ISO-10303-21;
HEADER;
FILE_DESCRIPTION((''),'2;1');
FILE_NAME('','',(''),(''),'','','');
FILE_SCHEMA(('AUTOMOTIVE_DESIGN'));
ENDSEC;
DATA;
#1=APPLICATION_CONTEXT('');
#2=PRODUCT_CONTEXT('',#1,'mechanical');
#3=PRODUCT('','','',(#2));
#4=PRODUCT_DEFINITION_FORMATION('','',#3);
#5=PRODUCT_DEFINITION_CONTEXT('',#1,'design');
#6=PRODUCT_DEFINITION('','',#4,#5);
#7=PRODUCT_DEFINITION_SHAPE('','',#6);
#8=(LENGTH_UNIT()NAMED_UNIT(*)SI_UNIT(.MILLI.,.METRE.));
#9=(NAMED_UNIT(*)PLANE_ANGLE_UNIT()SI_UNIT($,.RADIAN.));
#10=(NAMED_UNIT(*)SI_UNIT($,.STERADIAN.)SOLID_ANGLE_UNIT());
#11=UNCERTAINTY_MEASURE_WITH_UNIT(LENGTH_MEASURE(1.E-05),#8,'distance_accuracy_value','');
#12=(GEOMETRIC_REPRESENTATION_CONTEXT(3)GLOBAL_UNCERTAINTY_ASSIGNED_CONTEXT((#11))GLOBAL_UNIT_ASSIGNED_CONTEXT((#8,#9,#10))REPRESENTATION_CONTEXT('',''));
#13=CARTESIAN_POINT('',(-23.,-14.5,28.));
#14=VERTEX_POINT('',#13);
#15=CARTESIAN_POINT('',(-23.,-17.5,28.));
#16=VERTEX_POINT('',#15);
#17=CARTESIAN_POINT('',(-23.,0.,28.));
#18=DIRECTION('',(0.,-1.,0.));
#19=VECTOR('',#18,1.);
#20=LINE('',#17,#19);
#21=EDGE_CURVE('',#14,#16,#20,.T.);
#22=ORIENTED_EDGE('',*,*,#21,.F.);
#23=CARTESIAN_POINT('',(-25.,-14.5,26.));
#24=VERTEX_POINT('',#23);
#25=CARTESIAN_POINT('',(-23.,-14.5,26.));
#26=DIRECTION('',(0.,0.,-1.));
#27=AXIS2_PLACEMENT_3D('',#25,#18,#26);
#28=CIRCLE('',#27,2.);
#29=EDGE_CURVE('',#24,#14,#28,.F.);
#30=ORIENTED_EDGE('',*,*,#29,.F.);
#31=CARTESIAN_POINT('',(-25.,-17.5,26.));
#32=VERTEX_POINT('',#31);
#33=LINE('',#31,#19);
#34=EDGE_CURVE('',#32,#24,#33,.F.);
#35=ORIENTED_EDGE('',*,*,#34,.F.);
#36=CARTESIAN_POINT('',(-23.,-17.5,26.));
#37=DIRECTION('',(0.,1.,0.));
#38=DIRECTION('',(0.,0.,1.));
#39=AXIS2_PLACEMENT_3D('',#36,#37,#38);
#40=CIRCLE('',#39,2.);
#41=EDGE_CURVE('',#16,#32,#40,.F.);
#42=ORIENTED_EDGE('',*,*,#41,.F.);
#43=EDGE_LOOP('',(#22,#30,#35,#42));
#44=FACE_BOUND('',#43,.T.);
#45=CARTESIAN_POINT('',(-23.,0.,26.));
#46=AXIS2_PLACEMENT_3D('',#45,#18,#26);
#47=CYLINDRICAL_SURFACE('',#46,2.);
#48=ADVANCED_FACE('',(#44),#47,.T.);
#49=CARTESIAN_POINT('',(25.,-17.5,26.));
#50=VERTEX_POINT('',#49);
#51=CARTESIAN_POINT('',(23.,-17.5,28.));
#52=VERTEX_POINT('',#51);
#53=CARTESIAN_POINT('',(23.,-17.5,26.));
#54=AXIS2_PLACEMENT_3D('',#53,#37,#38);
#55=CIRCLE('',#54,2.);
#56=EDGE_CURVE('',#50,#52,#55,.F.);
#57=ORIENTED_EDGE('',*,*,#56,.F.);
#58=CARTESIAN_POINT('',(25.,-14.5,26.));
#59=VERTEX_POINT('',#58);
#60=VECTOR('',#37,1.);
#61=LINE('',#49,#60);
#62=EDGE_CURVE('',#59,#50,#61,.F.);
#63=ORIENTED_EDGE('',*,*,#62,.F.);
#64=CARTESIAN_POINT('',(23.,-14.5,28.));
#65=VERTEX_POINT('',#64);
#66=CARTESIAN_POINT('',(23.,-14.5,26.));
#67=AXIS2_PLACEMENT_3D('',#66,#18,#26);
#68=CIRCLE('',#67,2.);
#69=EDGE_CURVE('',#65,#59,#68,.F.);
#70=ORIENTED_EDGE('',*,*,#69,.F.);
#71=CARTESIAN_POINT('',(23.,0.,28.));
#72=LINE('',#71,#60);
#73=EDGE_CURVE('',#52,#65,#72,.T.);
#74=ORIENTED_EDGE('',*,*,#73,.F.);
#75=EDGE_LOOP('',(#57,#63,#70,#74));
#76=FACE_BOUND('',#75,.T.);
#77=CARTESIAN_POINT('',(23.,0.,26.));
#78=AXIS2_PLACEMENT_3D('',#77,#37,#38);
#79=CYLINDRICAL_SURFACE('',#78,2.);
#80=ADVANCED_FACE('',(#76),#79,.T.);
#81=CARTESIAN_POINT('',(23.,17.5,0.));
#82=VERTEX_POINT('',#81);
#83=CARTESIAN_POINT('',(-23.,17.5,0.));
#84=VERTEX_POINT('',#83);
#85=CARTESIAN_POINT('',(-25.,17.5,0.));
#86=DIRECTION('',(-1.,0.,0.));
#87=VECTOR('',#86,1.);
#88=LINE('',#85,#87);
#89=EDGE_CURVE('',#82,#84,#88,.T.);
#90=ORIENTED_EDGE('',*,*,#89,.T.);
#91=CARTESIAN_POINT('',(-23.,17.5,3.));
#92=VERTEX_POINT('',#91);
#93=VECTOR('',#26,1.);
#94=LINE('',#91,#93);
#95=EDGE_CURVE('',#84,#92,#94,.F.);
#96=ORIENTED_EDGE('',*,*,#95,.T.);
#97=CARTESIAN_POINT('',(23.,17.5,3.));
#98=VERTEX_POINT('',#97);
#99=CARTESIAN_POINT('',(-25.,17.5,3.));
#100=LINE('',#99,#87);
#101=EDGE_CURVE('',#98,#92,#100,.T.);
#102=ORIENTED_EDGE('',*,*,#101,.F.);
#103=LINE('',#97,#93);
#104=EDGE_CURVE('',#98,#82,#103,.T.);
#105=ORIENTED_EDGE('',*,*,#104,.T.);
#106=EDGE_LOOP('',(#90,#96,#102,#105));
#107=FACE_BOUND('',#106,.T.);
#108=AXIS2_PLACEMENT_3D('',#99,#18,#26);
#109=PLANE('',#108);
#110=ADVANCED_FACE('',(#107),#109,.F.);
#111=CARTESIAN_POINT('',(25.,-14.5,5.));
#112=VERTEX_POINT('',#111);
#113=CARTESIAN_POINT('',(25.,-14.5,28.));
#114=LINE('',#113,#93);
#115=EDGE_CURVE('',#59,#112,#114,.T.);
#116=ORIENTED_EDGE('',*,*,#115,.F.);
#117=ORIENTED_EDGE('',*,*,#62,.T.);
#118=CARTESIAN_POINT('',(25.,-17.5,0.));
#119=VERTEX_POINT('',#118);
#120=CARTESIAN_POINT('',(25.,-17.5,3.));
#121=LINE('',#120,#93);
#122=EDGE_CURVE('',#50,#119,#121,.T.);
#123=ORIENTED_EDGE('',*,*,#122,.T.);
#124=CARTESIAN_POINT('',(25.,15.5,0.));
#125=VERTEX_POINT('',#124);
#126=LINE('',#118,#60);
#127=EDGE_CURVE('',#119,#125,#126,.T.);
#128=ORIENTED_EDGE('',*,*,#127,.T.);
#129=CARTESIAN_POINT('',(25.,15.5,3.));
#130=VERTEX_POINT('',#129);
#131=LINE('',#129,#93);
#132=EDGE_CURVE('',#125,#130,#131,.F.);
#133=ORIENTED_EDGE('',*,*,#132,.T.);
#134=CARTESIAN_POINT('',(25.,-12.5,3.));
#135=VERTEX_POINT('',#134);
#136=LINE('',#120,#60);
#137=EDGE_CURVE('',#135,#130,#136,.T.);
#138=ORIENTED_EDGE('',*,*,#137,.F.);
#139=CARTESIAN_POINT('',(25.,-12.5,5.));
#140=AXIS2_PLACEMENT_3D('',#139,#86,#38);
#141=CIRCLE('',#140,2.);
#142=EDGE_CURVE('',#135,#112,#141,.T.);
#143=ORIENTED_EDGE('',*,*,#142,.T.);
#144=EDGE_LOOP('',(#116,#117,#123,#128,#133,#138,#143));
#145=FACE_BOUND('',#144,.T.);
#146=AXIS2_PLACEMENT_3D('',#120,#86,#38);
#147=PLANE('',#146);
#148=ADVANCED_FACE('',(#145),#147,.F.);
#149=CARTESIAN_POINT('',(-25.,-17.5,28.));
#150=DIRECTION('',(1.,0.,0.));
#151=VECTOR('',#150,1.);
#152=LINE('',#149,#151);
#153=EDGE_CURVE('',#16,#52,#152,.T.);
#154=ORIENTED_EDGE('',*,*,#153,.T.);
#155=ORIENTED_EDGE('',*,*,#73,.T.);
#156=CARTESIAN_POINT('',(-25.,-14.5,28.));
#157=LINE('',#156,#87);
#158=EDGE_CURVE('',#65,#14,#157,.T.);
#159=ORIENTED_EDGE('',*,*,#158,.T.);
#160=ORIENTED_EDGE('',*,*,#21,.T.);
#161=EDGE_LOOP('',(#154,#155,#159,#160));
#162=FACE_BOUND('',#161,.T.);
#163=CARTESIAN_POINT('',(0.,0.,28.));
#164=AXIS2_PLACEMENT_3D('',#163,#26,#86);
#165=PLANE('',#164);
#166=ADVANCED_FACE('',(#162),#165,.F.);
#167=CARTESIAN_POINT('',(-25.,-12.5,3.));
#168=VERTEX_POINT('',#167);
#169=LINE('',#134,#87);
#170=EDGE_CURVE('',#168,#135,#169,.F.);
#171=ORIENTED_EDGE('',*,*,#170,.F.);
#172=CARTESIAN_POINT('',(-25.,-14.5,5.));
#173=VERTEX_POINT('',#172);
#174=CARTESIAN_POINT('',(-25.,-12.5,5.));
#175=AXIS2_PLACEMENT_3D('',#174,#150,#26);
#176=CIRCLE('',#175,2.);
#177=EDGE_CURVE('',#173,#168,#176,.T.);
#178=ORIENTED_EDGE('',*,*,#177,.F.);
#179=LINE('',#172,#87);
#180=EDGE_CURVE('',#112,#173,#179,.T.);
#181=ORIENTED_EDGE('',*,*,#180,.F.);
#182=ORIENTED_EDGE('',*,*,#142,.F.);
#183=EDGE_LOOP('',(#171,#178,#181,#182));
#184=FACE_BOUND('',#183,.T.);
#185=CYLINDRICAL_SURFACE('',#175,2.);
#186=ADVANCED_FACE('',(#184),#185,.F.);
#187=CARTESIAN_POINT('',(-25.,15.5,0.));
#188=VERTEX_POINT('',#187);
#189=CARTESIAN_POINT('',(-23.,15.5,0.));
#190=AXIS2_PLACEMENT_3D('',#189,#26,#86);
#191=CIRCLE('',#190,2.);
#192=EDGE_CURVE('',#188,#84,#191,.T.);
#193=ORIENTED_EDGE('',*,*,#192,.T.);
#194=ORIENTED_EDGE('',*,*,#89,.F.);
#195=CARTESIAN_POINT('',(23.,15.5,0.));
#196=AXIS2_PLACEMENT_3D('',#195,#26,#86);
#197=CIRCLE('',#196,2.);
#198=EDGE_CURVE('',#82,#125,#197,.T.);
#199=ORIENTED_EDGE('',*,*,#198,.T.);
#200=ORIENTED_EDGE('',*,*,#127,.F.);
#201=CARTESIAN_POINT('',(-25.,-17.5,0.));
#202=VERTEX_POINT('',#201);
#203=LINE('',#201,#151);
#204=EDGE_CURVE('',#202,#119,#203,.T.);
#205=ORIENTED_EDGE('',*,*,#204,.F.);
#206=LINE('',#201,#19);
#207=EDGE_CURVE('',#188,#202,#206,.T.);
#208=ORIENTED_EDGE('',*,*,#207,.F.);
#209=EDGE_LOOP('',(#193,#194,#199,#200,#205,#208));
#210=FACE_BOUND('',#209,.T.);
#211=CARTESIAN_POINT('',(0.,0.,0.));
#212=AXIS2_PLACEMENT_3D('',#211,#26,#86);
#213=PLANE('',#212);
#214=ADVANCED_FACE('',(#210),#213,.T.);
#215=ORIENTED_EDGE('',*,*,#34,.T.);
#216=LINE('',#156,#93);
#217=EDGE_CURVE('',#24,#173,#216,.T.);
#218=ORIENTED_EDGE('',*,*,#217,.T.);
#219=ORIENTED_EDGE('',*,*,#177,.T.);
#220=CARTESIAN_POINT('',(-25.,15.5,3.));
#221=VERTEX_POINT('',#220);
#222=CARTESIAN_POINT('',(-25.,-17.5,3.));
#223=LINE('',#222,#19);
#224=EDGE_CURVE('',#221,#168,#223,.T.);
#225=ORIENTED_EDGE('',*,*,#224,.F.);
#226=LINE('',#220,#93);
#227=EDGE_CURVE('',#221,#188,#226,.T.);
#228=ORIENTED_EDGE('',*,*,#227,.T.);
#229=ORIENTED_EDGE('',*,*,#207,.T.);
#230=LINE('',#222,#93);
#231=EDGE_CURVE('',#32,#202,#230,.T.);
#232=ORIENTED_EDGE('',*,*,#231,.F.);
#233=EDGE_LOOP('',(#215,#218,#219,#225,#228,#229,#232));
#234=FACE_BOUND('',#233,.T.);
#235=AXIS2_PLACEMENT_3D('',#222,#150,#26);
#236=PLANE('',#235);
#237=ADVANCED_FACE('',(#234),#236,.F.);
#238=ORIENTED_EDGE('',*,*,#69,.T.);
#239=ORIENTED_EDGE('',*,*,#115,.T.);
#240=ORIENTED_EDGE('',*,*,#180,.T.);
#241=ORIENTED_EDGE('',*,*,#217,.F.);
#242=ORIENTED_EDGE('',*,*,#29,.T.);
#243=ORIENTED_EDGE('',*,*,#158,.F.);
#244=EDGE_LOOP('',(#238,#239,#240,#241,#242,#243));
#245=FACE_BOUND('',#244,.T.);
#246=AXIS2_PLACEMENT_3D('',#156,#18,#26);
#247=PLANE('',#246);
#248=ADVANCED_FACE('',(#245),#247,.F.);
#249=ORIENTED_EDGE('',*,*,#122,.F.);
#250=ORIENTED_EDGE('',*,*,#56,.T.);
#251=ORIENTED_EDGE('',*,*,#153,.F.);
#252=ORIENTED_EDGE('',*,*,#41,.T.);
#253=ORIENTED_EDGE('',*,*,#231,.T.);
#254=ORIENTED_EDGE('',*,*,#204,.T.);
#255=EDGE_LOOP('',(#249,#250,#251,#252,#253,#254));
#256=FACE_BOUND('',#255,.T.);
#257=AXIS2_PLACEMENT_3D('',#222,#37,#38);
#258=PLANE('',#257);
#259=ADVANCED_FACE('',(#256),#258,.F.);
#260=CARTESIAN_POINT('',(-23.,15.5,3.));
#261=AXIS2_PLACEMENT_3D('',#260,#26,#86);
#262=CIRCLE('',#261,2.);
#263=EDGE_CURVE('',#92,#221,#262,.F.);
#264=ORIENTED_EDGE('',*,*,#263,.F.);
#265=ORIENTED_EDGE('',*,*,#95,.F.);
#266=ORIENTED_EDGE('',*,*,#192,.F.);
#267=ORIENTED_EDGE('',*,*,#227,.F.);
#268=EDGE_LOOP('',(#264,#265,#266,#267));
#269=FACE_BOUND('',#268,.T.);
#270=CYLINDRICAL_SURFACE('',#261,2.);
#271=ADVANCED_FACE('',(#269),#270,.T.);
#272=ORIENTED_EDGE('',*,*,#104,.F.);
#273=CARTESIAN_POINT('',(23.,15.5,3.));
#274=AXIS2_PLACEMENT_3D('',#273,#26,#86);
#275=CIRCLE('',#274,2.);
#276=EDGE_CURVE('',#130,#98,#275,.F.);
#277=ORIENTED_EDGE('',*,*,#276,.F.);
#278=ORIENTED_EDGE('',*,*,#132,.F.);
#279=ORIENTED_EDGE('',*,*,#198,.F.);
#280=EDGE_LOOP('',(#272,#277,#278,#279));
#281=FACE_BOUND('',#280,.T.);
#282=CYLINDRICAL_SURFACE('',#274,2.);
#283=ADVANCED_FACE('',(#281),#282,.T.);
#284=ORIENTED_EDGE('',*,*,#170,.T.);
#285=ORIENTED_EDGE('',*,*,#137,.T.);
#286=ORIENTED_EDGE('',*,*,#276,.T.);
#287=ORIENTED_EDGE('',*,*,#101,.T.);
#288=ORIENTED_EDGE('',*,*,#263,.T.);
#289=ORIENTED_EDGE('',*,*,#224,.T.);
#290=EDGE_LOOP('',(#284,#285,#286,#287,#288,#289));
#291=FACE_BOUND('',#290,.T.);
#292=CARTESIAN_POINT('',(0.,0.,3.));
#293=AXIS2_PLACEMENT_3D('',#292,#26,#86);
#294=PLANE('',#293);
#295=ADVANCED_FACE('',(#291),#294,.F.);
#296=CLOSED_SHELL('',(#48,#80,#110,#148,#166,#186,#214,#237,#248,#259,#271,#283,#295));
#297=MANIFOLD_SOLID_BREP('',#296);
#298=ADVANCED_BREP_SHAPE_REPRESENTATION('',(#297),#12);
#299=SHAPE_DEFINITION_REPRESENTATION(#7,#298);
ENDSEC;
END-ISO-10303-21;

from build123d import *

# Parameters (mm, degrees)
SKETCH1_W           = 50
SKETCH1_H           = 35
BOSS_EXTRUDE1_DEPTH = 3
SKETCH3_W           = 50
SKETCH3_H           = 3
BOSS_EXTRUDE2_DEPTH = 25
FILLET1_R           = 2
FILLET2_R           = 2


with BuildPart() as part:
    # Sketch1 → Boss-Extrude1 (new body)
    with BuildSketch(Plane.XY):
        Rectangle(SKETCH1_W, SKETCH1_H)
    extrude(amount=BOSS_EXTRUDE1_DEPTH)

    # Sketch3 → Boss-Extrude2 (add)
    with BuildSketch(Plane.XY.offset(3)):
        with Locations((0, -16)):
            Rectangle(SKETCH3_W, SKETCH3_H)
    extrude(amount=BOSS_EXTRUDE2_DEPTH)

    # Fillet1
    fillet1_edges = [part.edges().sort_by_distance(p)[0] for p in [
        (0, -14.5, 3),
    ]]
    fillet(fillet1_edges, radius=FILLET1_R)

    # Fillet2
    fillet2_edges = [part.edges().sort_by_distance(p)[0] for p in [
        (-25, -16, 28),
        (25, -16, 28),
        (-25, 17.5, 1.5),
        (25, 17.5, 1.5),
    ]]
    fillet(fillet2_edges, radius=FILLET2_R)


solid = part.part
